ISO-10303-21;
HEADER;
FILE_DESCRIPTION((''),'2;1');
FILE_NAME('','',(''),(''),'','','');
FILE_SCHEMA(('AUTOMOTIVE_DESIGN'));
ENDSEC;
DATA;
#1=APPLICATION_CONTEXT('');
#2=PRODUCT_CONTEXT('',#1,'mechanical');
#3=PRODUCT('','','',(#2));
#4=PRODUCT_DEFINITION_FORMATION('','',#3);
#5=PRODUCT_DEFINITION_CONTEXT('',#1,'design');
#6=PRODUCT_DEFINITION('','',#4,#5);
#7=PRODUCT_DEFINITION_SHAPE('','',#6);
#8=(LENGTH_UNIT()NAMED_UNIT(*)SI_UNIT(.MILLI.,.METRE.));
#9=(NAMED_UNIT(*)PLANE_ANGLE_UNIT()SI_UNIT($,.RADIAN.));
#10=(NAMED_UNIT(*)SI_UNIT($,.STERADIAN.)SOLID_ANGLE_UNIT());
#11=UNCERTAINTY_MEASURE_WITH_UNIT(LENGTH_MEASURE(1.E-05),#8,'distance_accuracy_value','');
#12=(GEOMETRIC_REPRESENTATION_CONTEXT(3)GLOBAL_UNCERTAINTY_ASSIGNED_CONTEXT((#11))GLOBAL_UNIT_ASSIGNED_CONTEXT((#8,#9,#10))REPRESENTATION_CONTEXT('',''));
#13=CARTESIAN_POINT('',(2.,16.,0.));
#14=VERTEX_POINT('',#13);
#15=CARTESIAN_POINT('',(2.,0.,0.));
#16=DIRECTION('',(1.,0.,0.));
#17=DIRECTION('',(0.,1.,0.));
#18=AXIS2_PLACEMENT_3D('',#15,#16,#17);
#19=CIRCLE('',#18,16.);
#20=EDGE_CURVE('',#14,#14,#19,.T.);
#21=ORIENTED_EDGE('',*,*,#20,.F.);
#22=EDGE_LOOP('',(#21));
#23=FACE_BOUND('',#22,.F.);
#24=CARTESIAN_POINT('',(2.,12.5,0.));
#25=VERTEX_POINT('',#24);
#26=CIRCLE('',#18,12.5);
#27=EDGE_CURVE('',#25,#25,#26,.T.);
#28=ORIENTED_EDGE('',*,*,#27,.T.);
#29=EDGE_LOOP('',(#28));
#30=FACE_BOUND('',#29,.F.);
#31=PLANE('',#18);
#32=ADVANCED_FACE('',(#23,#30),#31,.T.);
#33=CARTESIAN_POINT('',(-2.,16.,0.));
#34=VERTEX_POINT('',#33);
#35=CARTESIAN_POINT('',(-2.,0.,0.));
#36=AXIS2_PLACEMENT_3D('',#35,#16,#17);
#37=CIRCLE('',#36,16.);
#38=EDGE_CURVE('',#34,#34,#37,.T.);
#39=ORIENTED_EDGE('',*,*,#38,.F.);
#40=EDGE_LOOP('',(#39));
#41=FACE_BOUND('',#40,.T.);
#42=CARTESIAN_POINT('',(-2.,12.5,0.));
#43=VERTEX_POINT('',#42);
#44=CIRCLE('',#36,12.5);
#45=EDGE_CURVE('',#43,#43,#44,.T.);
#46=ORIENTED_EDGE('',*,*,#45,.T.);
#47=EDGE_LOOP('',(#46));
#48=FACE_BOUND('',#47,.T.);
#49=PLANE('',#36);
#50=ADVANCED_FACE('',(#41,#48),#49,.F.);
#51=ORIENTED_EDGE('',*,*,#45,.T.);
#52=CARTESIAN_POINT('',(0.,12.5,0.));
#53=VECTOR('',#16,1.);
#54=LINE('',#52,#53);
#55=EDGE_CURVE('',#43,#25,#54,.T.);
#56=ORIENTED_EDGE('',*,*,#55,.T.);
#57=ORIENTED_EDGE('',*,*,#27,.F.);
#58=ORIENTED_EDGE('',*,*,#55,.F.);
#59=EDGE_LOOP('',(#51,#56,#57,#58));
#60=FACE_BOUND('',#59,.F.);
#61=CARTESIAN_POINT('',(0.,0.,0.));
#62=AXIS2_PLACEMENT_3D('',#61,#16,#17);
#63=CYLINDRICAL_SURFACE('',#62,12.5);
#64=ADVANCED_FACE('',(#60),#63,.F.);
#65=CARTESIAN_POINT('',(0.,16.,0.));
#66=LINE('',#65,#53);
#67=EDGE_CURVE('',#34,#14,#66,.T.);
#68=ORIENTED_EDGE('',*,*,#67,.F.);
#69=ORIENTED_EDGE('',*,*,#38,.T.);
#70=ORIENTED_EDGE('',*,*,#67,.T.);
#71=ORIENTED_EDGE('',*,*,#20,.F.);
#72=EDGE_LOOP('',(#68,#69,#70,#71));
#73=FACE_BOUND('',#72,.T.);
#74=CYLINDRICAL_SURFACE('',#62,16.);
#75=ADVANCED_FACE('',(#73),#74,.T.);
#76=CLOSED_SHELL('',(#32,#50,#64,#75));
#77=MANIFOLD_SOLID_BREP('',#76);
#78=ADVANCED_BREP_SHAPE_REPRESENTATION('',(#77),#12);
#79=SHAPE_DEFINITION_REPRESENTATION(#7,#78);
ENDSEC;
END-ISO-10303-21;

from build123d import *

# Parameters (mm, degrees)
SKETCH1_W = 4
SKETCH1_H = 3.5


with BuildPart() as part:
    # Sketch1 → Revolve1 (revolve)
    with BuildSketch(Plane.XY):
        with Locations((0, 14.25)):
            Rectangle(SKETCH1_W, SKETCH1_H)
    revolve(axis=Axis((0, 0, 0), (1, 0, 0)))


solid = part.part
